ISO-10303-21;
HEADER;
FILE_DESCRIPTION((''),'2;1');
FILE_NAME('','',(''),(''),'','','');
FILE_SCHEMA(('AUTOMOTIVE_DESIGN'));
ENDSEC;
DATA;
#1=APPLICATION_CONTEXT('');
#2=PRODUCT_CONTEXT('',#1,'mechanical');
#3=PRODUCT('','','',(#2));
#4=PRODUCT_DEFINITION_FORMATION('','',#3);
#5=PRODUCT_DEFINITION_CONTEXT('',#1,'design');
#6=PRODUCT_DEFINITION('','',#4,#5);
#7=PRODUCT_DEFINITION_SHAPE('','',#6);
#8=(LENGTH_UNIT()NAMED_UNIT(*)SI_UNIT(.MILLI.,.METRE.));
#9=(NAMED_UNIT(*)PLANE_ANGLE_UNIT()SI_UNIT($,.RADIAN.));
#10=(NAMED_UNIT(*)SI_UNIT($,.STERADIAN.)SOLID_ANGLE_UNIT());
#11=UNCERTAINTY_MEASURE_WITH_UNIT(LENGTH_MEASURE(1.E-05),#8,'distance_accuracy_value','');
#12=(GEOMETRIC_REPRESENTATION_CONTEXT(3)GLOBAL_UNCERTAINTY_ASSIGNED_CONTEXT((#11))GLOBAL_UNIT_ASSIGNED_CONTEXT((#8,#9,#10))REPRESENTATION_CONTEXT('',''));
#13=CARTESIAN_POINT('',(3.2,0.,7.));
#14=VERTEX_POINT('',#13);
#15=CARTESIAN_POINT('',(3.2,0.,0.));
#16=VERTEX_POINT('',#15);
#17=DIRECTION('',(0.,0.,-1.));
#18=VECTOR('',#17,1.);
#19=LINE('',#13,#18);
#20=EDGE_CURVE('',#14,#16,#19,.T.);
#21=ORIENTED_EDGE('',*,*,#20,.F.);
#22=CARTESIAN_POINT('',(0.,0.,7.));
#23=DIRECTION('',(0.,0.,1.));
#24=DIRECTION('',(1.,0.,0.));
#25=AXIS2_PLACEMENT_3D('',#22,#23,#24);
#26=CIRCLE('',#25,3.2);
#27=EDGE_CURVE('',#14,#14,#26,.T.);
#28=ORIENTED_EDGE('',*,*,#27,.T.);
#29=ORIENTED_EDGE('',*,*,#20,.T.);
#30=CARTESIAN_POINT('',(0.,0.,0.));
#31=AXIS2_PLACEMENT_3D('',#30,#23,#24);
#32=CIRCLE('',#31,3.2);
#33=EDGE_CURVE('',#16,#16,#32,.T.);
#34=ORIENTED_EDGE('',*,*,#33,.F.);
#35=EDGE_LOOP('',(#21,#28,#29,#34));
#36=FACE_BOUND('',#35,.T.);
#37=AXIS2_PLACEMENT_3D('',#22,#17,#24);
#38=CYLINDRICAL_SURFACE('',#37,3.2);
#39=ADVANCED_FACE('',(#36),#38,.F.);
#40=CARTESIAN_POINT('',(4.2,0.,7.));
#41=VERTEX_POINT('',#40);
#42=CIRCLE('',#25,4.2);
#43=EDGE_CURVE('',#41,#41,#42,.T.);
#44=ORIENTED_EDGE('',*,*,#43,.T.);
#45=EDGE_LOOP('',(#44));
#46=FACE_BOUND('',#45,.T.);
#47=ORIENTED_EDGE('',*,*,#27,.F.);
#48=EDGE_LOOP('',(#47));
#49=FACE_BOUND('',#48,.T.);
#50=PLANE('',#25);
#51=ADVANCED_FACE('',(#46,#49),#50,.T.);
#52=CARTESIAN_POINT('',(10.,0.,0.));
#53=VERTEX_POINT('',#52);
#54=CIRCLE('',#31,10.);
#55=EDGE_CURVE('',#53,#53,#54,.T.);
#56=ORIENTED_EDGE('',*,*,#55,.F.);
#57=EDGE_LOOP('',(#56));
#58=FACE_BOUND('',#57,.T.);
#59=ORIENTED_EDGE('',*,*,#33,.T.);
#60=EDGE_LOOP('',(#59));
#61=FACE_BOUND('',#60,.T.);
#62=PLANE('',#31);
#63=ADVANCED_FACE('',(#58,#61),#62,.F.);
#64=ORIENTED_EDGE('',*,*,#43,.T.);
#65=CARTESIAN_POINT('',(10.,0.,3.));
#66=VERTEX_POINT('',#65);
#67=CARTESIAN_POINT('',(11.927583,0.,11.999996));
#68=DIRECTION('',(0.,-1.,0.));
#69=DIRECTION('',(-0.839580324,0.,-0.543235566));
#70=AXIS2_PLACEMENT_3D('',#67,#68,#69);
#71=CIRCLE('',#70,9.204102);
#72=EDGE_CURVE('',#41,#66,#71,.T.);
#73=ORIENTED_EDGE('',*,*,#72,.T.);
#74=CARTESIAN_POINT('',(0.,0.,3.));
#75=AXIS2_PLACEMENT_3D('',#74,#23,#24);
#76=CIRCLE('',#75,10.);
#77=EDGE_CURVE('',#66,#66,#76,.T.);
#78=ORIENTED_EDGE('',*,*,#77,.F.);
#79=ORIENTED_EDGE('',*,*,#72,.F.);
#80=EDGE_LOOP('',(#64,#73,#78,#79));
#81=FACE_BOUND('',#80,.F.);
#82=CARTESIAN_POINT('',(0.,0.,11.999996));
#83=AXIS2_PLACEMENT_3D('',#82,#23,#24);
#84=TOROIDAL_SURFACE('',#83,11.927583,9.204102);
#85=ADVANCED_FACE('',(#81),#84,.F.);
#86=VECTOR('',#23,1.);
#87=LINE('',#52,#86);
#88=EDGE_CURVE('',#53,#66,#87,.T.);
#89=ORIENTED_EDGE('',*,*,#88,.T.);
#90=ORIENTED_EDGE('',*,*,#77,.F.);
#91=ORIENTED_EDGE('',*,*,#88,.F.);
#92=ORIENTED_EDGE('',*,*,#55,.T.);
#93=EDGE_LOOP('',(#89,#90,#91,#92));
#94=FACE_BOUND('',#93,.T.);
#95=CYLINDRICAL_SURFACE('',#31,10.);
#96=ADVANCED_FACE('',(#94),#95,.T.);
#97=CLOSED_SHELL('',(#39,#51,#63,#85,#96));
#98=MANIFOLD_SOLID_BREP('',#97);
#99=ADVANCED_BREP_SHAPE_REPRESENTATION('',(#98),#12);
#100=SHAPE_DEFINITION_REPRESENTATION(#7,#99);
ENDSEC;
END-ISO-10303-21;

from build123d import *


with BuildPart() as part:
    # Sketch → Revolution (revolve)
    with BuildSketch(Plane.XZ):
        with BuildLine():
            Line((3.2, 0), (10, 0))
            Line((10, 0), (10, 3))
            ThreePointArc((4.2, 7), (6.702111, 4.423061), (10, 3))
            Line((4.2, 7), (3.2, 7))
            Line((3.2, 7), (3.2, 0))
        make_face()
    revolve(axis=Axis((0, 0, 0), (0, 0, 1)))


solid = part.part
